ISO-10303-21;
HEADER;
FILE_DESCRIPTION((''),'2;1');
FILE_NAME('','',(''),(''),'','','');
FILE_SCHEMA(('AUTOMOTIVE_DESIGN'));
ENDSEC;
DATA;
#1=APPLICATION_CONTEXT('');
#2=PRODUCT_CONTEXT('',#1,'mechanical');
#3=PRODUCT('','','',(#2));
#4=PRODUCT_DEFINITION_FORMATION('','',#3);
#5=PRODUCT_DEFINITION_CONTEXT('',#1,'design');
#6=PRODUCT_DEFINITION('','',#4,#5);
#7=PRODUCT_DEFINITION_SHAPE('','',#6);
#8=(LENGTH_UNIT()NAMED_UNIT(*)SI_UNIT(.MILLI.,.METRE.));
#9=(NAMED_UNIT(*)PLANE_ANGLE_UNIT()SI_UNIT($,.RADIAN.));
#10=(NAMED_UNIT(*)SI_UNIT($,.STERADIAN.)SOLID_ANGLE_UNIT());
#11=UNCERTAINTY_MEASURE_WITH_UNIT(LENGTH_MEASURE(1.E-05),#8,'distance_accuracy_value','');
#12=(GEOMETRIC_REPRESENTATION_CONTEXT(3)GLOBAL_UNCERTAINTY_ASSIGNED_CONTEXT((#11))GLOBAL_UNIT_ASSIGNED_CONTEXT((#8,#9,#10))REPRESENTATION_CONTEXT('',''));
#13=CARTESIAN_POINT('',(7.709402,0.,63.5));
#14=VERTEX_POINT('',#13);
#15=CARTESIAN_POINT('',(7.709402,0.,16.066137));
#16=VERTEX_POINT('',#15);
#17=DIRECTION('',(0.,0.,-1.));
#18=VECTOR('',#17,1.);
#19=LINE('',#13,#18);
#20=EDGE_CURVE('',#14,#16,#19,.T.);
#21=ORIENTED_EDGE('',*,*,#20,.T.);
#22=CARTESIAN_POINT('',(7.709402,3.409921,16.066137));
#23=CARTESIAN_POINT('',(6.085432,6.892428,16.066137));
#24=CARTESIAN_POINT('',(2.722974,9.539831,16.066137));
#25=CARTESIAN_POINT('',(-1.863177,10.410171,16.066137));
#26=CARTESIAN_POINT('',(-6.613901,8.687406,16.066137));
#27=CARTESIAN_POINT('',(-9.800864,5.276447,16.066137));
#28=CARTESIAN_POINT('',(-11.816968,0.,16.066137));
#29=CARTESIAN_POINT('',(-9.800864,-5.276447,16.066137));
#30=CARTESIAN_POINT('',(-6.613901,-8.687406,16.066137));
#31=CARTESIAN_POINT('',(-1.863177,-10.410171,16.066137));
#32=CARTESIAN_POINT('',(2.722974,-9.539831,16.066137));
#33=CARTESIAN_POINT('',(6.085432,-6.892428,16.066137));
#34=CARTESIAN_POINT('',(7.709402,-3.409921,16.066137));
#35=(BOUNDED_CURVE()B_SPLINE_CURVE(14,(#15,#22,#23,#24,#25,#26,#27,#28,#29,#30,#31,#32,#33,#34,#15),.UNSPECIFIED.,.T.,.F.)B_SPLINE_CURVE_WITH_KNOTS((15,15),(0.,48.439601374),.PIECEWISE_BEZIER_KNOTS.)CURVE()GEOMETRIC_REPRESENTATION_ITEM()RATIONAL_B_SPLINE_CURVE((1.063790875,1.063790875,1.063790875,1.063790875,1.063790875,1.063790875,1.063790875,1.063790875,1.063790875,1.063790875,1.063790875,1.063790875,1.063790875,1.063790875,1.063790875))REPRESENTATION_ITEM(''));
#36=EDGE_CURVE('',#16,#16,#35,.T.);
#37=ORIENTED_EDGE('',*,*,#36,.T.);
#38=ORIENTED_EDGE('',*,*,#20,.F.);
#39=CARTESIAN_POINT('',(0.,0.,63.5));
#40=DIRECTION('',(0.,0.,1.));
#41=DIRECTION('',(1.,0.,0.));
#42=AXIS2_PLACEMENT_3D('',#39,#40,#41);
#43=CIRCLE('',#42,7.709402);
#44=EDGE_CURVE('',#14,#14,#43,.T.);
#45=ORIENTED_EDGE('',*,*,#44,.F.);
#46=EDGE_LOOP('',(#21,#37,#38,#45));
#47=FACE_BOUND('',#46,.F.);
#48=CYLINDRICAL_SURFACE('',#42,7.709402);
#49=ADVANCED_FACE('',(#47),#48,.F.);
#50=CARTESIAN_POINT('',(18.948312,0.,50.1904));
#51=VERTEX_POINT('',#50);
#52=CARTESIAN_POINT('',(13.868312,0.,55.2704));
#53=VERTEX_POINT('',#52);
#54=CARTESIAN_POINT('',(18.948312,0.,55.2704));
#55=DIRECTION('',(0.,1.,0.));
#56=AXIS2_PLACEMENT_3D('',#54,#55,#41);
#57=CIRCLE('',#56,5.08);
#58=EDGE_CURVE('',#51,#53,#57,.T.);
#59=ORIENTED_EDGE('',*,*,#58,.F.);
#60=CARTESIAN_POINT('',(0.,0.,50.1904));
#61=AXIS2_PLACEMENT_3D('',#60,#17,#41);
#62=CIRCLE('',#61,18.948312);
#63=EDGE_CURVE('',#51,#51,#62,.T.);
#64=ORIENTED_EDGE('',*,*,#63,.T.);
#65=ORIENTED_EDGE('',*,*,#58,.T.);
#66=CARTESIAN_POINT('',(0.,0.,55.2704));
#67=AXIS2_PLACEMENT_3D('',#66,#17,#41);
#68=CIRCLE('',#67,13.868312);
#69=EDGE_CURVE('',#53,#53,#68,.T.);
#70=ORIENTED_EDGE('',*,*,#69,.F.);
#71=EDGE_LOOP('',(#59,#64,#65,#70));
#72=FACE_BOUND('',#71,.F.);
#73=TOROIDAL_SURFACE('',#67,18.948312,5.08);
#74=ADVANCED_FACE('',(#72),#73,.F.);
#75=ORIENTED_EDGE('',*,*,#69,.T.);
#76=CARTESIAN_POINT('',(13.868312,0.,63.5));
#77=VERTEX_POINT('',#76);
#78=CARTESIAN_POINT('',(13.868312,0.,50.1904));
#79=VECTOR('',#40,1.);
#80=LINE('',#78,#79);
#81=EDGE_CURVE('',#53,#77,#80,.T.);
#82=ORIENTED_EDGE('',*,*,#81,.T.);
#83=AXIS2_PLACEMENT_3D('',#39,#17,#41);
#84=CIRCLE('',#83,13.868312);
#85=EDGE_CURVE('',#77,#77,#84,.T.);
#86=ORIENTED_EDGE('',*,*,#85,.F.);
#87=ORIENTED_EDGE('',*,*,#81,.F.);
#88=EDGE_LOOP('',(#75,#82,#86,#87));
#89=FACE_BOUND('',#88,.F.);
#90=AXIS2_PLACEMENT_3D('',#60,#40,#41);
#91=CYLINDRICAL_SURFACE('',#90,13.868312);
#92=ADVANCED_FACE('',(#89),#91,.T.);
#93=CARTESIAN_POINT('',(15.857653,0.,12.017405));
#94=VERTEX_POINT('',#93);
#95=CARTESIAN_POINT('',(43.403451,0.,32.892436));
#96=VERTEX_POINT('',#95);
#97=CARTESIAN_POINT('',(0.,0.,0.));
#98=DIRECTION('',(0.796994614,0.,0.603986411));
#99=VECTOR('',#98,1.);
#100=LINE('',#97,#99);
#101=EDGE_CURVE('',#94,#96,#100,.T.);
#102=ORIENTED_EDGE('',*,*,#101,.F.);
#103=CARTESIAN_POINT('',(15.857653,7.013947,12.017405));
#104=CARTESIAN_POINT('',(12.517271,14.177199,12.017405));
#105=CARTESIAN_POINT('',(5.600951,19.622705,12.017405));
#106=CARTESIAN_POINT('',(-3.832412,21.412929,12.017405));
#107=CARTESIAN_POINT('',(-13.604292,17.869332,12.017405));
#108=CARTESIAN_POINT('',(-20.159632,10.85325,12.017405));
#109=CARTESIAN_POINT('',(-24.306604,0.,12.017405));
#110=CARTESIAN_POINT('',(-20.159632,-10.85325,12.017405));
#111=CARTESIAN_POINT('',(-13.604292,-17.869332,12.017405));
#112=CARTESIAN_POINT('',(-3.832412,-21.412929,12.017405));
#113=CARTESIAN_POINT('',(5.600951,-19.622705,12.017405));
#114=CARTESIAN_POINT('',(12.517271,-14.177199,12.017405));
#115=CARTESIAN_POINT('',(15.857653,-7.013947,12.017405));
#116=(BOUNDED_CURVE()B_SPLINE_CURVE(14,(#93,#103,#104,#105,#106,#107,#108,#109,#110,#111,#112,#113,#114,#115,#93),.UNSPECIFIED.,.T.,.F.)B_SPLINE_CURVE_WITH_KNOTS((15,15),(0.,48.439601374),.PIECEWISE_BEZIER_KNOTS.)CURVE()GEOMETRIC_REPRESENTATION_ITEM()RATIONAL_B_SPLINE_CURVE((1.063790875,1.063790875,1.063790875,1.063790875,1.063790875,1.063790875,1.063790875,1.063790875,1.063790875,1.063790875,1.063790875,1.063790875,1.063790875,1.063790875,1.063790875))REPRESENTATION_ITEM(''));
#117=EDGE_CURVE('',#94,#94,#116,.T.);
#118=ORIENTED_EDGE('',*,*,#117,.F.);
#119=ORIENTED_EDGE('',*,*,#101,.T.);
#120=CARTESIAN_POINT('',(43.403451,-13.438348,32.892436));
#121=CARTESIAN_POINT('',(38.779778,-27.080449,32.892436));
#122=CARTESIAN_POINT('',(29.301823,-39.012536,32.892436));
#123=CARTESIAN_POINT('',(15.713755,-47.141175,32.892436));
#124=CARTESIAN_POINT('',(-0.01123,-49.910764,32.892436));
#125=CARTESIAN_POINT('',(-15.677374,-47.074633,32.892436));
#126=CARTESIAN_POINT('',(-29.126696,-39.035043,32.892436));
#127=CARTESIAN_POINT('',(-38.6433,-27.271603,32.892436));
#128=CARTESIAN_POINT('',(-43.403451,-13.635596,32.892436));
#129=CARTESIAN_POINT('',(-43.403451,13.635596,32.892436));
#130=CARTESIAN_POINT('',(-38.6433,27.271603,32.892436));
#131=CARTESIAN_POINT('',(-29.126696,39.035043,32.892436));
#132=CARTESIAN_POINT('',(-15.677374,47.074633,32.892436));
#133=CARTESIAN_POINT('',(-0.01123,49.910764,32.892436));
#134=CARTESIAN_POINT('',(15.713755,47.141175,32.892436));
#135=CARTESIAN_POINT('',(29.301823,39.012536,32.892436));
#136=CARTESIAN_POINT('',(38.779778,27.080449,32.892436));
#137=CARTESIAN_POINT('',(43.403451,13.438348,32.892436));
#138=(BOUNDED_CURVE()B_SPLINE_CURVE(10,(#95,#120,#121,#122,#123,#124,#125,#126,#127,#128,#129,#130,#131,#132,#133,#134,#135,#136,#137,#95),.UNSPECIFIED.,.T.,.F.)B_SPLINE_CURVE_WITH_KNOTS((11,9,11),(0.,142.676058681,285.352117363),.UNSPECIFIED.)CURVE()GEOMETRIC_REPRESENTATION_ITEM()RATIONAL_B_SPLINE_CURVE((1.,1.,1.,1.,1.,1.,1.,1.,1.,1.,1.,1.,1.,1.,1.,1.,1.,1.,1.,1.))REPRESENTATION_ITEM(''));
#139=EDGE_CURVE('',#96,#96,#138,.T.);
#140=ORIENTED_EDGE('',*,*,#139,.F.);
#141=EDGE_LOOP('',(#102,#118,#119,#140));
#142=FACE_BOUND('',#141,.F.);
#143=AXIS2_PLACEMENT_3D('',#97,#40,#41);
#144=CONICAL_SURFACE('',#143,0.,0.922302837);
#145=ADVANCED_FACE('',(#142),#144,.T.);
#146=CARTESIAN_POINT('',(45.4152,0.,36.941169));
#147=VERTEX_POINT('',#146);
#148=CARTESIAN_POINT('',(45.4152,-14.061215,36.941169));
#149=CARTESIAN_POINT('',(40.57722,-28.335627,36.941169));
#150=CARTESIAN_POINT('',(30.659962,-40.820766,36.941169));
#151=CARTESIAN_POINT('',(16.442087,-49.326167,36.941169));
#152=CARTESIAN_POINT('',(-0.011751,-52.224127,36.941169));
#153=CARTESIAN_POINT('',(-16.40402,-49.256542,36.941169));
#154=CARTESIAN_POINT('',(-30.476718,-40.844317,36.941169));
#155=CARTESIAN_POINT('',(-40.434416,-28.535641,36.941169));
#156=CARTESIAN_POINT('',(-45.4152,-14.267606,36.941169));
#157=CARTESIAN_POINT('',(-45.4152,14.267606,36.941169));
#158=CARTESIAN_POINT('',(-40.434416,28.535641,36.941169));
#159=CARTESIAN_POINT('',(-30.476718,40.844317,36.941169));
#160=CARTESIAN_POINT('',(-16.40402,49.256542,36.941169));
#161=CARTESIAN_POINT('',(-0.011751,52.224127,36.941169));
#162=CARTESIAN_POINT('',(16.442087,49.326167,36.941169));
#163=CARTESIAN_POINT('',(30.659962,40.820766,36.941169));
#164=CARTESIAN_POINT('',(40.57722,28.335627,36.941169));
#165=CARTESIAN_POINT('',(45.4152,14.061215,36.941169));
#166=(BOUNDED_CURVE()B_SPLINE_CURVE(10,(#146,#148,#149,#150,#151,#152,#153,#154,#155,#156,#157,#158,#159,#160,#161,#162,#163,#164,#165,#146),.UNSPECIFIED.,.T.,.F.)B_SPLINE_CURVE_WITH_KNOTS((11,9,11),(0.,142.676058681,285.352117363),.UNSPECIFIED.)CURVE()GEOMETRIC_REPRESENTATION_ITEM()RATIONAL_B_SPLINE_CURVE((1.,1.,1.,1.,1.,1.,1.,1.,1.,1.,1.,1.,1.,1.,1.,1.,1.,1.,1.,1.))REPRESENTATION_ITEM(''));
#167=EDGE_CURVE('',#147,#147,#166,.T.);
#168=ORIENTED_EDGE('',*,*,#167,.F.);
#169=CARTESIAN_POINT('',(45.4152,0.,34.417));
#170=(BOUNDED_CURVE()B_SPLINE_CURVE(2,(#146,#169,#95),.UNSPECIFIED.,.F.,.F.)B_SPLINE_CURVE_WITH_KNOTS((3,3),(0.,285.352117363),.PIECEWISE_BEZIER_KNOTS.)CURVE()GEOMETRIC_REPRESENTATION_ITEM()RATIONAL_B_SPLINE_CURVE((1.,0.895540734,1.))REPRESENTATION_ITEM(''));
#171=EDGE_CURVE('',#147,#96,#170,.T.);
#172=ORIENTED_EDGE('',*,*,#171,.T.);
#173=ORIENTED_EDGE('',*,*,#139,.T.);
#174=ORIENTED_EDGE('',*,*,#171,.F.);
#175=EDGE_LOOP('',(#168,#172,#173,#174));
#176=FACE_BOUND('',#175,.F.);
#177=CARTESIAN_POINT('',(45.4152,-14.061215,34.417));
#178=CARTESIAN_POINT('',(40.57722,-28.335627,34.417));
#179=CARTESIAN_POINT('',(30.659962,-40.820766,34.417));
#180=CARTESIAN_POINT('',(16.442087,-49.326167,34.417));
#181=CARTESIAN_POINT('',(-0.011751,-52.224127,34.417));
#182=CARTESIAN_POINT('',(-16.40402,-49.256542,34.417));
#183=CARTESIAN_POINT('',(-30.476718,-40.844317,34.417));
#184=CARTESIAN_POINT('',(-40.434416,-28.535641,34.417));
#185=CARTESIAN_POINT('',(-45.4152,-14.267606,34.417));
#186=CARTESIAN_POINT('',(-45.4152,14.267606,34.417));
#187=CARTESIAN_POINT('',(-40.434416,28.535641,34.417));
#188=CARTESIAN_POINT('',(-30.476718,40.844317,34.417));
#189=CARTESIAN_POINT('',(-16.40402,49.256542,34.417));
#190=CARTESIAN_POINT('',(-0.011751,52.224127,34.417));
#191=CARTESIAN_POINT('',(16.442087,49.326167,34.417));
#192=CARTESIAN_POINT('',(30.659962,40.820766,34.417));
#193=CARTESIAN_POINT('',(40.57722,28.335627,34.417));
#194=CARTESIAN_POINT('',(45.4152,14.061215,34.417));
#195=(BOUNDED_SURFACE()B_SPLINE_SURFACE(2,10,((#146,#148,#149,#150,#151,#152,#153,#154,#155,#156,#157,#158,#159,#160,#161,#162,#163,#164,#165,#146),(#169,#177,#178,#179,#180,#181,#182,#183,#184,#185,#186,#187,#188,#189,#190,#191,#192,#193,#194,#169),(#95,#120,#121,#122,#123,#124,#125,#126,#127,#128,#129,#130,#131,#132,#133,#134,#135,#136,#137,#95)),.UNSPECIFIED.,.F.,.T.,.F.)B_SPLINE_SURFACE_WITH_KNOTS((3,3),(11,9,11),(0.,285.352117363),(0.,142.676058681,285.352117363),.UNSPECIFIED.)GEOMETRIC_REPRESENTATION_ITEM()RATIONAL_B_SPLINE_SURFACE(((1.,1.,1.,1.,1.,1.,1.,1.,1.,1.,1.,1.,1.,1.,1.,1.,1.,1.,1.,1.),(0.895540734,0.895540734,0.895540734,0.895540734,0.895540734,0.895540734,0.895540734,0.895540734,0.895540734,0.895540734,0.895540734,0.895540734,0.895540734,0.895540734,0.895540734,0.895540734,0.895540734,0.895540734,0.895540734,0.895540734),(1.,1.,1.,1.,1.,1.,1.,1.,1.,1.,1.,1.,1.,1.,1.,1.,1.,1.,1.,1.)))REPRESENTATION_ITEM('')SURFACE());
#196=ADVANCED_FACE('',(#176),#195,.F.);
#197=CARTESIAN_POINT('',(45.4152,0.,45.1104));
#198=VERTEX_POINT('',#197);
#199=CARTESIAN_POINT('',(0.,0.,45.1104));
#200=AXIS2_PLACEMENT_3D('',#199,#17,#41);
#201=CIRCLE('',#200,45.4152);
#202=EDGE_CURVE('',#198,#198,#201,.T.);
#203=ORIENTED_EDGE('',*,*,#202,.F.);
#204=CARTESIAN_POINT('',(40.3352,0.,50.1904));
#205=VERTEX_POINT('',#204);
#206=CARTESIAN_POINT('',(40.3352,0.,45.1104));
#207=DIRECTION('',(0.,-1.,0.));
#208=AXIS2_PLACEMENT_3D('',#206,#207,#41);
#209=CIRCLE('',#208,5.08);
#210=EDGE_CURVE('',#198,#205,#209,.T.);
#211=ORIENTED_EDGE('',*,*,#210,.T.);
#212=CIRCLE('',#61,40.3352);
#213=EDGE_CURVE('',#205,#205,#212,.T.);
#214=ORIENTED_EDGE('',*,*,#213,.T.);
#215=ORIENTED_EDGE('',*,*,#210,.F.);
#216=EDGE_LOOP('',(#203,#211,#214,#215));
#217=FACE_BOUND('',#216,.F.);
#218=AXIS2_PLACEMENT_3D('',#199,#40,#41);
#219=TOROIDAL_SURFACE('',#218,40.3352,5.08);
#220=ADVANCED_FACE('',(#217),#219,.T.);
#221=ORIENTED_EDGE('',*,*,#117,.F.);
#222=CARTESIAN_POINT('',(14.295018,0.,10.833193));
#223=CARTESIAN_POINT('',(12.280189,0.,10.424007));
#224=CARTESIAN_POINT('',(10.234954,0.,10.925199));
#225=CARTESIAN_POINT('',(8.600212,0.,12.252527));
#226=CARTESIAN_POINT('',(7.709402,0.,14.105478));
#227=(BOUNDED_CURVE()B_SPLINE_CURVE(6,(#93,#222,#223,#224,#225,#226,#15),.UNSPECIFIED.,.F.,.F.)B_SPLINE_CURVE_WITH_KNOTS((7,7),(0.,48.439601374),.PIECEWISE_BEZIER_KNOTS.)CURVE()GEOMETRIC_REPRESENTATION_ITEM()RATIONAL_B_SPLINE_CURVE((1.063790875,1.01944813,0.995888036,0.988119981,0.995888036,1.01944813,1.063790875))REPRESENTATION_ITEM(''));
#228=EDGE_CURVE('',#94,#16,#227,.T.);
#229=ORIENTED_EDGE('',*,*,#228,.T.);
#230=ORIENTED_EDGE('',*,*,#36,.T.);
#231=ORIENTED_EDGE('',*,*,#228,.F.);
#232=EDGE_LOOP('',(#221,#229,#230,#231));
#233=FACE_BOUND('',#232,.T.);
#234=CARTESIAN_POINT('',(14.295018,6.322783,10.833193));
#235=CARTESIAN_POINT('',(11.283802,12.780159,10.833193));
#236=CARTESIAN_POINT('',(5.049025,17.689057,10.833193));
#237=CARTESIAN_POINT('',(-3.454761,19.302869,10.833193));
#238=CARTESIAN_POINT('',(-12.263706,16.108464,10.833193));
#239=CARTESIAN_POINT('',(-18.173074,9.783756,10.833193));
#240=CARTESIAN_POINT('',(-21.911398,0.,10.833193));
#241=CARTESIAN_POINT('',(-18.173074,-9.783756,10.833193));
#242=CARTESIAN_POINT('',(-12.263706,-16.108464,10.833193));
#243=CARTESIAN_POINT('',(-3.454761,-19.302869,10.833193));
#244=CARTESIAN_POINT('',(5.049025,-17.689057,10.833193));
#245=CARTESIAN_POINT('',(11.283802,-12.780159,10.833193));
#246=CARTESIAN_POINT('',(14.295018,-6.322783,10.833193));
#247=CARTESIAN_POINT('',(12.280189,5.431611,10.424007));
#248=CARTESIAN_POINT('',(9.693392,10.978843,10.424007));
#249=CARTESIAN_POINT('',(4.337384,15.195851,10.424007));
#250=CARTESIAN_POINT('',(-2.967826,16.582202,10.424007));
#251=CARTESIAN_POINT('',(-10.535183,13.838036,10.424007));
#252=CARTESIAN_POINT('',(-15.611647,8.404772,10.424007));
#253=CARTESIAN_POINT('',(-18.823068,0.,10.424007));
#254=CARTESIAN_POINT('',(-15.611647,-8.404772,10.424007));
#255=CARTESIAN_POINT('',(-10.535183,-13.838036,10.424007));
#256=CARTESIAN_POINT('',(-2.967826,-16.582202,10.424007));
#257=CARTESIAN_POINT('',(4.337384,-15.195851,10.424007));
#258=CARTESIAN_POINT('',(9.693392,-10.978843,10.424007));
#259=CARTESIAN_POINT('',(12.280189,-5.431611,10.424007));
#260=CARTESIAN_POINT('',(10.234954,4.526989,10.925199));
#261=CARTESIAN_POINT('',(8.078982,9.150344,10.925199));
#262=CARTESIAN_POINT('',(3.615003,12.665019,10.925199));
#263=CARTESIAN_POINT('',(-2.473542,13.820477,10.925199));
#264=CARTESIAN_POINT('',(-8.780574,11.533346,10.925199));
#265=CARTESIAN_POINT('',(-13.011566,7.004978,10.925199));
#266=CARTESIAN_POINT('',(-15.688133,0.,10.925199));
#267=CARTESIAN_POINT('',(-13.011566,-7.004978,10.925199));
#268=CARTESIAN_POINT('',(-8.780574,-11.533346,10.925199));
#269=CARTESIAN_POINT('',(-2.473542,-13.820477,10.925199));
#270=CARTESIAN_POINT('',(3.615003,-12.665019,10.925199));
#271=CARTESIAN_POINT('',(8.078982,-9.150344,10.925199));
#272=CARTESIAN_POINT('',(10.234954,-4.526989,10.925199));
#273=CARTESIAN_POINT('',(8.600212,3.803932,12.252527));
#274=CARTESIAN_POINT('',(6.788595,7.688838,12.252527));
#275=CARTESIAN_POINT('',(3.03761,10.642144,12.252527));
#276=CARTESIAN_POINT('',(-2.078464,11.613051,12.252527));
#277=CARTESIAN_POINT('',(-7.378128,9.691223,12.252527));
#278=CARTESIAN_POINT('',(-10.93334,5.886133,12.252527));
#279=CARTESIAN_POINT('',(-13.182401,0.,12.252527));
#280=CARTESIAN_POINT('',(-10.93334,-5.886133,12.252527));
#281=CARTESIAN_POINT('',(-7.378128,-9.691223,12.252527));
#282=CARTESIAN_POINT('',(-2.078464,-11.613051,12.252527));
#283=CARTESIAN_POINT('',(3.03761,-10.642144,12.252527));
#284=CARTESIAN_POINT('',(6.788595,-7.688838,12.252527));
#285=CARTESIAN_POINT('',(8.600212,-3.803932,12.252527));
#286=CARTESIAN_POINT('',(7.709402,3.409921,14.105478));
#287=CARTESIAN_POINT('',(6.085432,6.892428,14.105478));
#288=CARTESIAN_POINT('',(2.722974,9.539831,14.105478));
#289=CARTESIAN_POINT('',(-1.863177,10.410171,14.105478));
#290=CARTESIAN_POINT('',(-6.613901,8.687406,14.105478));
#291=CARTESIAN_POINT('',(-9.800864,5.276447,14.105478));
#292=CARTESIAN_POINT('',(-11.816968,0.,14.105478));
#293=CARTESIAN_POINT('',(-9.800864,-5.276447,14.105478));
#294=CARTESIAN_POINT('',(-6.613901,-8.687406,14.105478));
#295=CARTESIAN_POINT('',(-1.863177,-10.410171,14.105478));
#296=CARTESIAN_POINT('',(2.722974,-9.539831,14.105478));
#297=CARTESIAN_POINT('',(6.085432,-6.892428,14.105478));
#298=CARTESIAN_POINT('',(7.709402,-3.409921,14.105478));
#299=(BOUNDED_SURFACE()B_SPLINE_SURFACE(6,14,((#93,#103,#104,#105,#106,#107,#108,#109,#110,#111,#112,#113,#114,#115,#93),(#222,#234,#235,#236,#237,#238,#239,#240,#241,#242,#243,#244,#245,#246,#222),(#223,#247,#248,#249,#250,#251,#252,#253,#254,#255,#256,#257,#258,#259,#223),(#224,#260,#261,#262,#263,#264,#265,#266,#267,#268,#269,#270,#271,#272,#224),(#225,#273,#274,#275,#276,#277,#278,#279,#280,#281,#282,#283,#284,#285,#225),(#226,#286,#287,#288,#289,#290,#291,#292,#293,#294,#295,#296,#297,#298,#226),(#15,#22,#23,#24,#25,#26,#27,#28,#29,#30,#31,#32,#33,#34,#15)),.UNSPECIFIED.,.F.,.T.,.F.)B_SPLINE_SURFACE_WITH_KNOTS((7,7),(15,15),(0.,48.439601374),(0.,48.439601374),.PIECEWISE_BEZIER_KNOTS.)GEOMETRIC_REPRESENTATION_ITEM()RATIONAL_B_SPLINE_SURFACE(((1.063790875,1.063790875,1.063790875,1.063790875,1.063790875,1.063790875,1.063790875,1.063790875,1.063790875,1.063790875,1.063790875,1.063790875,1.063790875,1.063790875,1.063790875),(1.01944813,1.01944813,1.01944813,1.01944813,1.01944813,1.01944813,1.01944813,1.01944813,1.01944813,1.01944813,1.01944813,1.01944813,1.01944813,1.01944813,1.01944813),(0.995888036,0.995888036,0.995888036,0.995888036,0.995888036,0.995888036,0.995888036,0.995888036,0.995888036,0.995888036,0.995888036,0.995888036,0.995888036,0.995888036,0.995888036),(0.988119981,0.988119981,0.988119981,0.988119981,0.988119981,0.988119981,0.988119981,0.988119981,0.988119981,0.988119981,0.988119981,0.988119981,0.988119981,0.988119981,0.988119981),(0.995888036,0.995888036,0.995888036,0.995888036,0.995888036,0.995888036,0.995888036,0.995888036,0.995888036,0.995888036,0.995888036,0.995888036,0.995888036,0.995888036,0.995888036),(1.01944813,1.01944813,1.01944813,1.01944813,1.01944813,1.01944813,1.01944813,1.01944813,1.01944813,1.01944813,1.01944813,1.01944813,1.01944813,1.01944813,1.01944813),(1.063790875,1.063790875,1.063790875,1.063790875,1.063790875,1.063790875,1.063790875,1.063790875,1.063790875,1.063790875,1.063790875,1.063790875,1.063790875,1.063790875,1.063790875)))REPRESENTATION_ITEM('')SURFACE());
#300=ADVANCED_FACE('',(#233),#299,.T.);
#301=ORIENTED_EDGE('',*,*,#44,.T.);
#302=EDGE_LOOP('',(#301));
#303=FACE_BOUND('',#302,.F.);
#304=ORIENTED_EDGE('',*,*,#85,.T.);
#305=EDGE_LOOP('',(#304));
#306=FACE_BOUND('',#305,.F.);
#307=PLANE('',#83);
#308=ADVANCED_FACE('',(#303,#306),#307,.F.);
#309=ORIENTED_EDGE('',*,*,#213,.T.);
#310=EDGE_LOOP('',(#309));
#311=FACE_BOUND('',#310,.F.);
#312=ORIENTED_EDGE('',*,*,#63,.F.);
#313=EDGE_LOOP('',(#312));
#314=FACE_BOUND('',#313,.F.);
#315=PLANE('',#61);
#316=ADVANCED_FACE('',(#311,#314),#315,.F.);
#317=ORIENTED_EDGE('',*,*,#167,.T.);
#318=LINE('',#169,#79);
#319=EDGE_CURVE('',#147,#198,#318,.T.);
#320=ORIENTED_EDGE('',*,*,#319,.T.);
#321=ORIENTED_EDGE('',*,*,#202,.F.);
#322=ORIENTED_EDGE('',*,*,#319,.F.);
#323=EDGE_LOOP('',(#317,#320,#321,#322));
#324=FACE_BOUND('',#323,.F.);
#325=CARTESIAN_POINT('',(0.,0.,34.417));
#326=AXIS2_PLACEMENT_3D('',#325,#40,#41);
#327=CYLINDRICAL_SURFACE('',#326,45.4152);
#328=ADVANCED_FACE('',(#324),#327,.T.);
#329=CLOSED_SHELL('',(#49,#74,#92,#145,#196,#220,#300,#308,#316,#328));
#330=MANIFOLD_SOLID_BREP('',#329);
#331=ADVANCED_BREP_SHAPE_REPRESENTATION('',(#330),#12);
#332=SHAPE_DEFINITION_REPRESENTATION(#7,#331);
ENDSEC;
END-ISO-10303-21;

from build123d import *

# Parameters (mm, degrees)
F2_R     = 7.709402
F3_DEPTH = 88.9
F4_R     = 5.08
F5_R     = 5.08


with BuildPart() as f1:
    # F0 (on Front) → F1 (revolve)
    with BuildSketch(Plane.XZ):
        Polygon((0, 63.5), (0, 0), (45.4152, 34.417), (45.4152, 50.1904), (13.868312, 50.1904), (13.868312, 63.5), align=None)
    revolve(axis=Axis((0, 0, 31.75), (0, 0, -1)))

    # F2 (on face) → F3 (cut)
    with BuildSketch(Plane.XY.offset(63.5)):
        Circle(F2_R)
    extrude(amount=-F3_DEPTH, mode=Mode.SUBTRACT)

    # F4
    f4_edges = [f1.edges().sort_by_distance(p)[0] for p in [
        (-45.4152, 0, 50.1904),
        (-13.868312, 0, 50.1904),
    ]]
    fillet(f4_edges, radius=F4_R)

    # F5
    f5_edges = [f1.edges().sort_by_distance(p)[0] for p in [
        (-7.709402, 0, 5.842416),
        (26.562301, 0, 20.129708),
        (-45.4152, 0, 34.417),
    ]]
    fillet(f5_edges, radius=F5_R)


solid = f1.part
